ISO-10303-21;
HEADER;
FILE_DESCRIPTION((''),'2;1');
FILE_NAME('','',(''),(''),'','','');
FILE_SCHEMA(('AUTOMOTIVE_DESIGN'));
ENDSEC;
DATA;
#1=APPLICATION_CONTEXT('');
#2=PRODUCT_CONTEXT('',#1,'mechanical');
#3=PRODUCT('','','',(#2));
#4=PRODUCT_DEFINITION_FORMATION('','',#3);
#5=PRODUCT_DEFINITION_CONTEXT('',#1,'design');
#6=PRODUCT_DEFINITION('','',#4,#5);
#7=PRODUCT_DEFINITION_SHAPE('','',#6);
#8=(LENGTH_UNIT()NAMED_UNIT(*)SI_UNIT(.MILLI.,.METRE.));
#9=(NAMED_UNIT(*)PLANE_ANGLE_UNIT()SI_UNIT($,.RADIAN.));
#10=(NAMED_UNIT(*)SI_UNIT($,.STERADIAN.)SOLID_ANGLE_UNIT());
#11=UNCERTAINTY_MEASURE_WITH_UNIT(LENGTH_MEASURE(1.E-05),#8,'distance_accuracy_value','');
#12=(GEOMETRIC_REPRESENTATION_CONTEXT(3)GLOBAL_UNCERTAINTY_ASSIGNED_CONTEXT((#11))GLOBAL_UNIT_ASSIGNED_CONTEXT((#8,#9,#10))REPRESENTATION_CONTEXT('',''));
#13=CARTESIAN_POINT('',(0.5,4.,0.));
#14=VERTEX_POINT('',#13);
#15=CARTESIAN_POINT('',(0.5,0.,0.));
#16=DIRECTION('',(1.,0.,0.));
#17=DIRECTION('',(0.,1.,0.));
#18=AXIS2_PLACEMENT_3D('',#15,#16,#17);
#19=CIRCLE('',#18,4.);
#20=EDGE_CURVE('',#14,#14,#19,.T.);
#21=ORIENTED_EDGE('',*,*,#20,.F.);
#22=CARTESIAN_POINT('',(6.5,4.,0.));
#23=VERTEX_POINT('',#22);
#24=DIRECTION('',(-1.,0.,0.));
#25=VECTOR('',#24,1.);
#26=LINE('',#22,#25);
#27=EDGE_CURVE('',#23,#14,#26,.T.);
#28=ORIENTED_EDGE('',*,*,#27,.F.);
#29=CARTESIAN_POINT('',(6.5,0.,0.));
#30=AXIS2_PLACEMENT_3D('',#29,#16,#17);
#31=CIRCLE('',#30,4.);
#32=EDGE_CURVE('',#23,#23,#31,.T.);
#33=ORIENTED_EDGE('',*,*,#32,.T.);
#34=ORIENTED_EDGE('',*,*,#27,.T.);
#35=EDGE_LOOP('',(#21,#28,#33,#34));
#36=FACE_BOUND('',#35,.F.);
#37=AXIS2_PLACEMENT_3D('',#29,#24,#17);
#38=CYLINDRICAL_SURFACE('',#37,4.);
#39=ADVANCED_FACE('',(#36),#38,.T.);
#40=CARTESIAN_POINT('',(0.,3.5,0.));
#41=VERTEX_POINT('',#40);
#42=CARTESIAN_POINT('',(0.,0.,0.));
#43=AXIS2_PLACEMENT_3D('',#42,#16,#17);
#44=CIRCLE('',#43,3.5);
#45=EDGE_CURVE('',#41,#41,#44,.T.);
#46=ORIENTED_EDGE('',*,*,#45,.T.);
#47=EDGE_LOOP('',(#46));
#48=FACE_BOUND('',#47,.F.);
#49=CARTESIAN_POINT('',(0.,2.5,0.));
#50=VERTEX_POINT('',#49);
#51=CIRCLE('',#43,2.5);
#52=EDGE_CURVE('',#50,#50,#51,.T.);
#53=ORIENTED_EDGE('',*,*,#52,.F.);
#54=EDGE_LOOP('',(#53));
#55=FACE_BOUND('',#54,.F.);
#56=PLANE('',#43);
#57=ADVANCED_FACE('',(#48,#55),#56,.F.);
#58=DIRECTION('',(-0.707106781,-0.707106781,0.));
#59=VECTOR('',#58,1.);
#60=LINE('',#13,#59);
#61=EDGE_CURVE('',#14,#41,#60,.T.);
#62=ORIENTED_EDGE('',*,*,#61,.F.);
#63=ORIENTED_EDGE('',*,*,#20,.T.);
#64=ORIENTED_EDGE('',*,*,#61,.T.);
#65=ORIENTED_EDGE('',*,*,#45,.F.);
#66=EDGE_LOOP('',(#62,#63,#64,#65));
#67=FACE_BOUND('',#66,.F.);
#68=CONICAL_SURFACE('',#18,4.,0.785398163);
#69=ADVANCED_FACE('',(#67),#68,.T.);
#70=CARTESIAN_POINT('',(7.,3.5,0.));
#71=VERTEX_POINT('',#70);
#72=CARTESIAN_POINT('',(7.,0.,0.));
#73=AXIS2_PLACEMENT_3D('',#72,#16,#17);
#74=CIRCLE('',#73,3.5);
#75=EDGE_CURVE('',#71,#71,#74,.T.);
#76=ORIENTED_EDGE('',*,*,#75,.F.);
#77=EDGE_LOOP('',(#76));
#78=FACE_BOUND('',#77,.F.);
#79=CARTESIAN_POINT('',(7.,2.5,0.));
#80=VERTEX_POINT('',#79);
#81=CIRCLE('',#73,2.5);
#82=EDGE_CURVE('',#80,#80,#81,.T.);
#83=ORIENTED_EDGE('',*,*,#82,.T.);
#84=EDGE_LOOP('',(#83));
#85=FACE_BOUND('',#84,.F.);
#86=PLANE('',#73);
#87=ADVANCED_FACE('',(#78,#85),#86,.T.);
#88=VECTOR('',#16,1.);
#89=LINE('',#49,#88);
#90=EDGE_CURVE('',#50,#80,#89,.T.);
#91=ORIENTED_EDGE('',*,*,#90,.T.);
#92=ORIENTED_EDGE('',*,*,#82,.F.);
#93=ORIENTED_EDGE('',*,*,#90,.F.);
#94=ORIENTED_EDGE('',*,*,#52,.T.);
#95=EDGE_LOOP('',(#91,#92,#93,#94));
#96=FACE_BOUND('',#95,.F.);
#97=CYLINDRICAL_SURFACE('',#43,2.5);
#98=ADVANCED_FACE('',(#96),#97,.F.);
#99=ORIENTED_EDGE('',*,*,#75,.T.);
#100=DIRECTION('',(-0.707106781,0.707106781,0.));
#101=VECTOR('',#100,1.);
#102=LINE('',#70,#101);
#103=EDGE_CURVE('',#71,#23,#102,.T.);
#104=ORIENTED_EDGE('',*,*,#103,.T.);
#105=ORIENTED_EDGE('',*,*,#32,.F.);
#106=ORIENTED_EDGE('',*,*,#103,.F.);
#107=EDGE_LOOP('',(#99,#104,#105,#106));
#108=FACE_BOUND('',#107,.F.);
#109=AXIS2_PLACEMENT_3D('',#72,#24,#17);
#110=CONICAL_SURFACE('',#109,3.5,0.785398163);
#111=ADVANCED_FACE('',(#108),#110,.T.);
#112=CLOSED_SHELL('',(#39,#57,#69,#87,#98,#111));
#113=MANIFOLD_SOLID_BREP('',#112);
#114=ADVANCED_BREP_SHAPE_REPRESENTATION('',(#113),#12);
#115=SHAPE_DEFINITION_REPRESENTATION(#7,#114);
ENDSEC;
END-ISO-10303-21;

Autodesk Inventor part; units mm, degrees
sketch "Sketch_1" plane through (0, 0, 0) normal (0, 0, 1) x (1, 0, 0)
  line L0 (7, 0) -> (0, 0)
  line L1 (0, 2.5) -> (7, 2.5)
  line L2 (7, 2.5) -> (7, 3.5)
  line L3 (7, 3.5) -> (6.5, 4)
  line L4 (6.5, 4) -> (0.5, 4)
  line L5 (0.5, 4) -> (0, 3.5)
  line L6 (0, 3.5) -> (0, 2.5)
revolve "Revolution1" add sketch "Sketch_1" angle 360 about axis through (7, 0, 0) along (1, 0, 0)
ref_plane "to_b_XY" through (0, 0, 0) normal (1, 0, 0) x (0, 0, -1)
ref_plane "to_b_YZ" through (0, 0, 0) normal (0, 0, -1) x (0, 1, 0)
ref_plane "to_b_ZX" through (0, 0, 0) normal (0, 1, 0) x (1, 0, 0)
properties part number "CLBPS5-8-7"
